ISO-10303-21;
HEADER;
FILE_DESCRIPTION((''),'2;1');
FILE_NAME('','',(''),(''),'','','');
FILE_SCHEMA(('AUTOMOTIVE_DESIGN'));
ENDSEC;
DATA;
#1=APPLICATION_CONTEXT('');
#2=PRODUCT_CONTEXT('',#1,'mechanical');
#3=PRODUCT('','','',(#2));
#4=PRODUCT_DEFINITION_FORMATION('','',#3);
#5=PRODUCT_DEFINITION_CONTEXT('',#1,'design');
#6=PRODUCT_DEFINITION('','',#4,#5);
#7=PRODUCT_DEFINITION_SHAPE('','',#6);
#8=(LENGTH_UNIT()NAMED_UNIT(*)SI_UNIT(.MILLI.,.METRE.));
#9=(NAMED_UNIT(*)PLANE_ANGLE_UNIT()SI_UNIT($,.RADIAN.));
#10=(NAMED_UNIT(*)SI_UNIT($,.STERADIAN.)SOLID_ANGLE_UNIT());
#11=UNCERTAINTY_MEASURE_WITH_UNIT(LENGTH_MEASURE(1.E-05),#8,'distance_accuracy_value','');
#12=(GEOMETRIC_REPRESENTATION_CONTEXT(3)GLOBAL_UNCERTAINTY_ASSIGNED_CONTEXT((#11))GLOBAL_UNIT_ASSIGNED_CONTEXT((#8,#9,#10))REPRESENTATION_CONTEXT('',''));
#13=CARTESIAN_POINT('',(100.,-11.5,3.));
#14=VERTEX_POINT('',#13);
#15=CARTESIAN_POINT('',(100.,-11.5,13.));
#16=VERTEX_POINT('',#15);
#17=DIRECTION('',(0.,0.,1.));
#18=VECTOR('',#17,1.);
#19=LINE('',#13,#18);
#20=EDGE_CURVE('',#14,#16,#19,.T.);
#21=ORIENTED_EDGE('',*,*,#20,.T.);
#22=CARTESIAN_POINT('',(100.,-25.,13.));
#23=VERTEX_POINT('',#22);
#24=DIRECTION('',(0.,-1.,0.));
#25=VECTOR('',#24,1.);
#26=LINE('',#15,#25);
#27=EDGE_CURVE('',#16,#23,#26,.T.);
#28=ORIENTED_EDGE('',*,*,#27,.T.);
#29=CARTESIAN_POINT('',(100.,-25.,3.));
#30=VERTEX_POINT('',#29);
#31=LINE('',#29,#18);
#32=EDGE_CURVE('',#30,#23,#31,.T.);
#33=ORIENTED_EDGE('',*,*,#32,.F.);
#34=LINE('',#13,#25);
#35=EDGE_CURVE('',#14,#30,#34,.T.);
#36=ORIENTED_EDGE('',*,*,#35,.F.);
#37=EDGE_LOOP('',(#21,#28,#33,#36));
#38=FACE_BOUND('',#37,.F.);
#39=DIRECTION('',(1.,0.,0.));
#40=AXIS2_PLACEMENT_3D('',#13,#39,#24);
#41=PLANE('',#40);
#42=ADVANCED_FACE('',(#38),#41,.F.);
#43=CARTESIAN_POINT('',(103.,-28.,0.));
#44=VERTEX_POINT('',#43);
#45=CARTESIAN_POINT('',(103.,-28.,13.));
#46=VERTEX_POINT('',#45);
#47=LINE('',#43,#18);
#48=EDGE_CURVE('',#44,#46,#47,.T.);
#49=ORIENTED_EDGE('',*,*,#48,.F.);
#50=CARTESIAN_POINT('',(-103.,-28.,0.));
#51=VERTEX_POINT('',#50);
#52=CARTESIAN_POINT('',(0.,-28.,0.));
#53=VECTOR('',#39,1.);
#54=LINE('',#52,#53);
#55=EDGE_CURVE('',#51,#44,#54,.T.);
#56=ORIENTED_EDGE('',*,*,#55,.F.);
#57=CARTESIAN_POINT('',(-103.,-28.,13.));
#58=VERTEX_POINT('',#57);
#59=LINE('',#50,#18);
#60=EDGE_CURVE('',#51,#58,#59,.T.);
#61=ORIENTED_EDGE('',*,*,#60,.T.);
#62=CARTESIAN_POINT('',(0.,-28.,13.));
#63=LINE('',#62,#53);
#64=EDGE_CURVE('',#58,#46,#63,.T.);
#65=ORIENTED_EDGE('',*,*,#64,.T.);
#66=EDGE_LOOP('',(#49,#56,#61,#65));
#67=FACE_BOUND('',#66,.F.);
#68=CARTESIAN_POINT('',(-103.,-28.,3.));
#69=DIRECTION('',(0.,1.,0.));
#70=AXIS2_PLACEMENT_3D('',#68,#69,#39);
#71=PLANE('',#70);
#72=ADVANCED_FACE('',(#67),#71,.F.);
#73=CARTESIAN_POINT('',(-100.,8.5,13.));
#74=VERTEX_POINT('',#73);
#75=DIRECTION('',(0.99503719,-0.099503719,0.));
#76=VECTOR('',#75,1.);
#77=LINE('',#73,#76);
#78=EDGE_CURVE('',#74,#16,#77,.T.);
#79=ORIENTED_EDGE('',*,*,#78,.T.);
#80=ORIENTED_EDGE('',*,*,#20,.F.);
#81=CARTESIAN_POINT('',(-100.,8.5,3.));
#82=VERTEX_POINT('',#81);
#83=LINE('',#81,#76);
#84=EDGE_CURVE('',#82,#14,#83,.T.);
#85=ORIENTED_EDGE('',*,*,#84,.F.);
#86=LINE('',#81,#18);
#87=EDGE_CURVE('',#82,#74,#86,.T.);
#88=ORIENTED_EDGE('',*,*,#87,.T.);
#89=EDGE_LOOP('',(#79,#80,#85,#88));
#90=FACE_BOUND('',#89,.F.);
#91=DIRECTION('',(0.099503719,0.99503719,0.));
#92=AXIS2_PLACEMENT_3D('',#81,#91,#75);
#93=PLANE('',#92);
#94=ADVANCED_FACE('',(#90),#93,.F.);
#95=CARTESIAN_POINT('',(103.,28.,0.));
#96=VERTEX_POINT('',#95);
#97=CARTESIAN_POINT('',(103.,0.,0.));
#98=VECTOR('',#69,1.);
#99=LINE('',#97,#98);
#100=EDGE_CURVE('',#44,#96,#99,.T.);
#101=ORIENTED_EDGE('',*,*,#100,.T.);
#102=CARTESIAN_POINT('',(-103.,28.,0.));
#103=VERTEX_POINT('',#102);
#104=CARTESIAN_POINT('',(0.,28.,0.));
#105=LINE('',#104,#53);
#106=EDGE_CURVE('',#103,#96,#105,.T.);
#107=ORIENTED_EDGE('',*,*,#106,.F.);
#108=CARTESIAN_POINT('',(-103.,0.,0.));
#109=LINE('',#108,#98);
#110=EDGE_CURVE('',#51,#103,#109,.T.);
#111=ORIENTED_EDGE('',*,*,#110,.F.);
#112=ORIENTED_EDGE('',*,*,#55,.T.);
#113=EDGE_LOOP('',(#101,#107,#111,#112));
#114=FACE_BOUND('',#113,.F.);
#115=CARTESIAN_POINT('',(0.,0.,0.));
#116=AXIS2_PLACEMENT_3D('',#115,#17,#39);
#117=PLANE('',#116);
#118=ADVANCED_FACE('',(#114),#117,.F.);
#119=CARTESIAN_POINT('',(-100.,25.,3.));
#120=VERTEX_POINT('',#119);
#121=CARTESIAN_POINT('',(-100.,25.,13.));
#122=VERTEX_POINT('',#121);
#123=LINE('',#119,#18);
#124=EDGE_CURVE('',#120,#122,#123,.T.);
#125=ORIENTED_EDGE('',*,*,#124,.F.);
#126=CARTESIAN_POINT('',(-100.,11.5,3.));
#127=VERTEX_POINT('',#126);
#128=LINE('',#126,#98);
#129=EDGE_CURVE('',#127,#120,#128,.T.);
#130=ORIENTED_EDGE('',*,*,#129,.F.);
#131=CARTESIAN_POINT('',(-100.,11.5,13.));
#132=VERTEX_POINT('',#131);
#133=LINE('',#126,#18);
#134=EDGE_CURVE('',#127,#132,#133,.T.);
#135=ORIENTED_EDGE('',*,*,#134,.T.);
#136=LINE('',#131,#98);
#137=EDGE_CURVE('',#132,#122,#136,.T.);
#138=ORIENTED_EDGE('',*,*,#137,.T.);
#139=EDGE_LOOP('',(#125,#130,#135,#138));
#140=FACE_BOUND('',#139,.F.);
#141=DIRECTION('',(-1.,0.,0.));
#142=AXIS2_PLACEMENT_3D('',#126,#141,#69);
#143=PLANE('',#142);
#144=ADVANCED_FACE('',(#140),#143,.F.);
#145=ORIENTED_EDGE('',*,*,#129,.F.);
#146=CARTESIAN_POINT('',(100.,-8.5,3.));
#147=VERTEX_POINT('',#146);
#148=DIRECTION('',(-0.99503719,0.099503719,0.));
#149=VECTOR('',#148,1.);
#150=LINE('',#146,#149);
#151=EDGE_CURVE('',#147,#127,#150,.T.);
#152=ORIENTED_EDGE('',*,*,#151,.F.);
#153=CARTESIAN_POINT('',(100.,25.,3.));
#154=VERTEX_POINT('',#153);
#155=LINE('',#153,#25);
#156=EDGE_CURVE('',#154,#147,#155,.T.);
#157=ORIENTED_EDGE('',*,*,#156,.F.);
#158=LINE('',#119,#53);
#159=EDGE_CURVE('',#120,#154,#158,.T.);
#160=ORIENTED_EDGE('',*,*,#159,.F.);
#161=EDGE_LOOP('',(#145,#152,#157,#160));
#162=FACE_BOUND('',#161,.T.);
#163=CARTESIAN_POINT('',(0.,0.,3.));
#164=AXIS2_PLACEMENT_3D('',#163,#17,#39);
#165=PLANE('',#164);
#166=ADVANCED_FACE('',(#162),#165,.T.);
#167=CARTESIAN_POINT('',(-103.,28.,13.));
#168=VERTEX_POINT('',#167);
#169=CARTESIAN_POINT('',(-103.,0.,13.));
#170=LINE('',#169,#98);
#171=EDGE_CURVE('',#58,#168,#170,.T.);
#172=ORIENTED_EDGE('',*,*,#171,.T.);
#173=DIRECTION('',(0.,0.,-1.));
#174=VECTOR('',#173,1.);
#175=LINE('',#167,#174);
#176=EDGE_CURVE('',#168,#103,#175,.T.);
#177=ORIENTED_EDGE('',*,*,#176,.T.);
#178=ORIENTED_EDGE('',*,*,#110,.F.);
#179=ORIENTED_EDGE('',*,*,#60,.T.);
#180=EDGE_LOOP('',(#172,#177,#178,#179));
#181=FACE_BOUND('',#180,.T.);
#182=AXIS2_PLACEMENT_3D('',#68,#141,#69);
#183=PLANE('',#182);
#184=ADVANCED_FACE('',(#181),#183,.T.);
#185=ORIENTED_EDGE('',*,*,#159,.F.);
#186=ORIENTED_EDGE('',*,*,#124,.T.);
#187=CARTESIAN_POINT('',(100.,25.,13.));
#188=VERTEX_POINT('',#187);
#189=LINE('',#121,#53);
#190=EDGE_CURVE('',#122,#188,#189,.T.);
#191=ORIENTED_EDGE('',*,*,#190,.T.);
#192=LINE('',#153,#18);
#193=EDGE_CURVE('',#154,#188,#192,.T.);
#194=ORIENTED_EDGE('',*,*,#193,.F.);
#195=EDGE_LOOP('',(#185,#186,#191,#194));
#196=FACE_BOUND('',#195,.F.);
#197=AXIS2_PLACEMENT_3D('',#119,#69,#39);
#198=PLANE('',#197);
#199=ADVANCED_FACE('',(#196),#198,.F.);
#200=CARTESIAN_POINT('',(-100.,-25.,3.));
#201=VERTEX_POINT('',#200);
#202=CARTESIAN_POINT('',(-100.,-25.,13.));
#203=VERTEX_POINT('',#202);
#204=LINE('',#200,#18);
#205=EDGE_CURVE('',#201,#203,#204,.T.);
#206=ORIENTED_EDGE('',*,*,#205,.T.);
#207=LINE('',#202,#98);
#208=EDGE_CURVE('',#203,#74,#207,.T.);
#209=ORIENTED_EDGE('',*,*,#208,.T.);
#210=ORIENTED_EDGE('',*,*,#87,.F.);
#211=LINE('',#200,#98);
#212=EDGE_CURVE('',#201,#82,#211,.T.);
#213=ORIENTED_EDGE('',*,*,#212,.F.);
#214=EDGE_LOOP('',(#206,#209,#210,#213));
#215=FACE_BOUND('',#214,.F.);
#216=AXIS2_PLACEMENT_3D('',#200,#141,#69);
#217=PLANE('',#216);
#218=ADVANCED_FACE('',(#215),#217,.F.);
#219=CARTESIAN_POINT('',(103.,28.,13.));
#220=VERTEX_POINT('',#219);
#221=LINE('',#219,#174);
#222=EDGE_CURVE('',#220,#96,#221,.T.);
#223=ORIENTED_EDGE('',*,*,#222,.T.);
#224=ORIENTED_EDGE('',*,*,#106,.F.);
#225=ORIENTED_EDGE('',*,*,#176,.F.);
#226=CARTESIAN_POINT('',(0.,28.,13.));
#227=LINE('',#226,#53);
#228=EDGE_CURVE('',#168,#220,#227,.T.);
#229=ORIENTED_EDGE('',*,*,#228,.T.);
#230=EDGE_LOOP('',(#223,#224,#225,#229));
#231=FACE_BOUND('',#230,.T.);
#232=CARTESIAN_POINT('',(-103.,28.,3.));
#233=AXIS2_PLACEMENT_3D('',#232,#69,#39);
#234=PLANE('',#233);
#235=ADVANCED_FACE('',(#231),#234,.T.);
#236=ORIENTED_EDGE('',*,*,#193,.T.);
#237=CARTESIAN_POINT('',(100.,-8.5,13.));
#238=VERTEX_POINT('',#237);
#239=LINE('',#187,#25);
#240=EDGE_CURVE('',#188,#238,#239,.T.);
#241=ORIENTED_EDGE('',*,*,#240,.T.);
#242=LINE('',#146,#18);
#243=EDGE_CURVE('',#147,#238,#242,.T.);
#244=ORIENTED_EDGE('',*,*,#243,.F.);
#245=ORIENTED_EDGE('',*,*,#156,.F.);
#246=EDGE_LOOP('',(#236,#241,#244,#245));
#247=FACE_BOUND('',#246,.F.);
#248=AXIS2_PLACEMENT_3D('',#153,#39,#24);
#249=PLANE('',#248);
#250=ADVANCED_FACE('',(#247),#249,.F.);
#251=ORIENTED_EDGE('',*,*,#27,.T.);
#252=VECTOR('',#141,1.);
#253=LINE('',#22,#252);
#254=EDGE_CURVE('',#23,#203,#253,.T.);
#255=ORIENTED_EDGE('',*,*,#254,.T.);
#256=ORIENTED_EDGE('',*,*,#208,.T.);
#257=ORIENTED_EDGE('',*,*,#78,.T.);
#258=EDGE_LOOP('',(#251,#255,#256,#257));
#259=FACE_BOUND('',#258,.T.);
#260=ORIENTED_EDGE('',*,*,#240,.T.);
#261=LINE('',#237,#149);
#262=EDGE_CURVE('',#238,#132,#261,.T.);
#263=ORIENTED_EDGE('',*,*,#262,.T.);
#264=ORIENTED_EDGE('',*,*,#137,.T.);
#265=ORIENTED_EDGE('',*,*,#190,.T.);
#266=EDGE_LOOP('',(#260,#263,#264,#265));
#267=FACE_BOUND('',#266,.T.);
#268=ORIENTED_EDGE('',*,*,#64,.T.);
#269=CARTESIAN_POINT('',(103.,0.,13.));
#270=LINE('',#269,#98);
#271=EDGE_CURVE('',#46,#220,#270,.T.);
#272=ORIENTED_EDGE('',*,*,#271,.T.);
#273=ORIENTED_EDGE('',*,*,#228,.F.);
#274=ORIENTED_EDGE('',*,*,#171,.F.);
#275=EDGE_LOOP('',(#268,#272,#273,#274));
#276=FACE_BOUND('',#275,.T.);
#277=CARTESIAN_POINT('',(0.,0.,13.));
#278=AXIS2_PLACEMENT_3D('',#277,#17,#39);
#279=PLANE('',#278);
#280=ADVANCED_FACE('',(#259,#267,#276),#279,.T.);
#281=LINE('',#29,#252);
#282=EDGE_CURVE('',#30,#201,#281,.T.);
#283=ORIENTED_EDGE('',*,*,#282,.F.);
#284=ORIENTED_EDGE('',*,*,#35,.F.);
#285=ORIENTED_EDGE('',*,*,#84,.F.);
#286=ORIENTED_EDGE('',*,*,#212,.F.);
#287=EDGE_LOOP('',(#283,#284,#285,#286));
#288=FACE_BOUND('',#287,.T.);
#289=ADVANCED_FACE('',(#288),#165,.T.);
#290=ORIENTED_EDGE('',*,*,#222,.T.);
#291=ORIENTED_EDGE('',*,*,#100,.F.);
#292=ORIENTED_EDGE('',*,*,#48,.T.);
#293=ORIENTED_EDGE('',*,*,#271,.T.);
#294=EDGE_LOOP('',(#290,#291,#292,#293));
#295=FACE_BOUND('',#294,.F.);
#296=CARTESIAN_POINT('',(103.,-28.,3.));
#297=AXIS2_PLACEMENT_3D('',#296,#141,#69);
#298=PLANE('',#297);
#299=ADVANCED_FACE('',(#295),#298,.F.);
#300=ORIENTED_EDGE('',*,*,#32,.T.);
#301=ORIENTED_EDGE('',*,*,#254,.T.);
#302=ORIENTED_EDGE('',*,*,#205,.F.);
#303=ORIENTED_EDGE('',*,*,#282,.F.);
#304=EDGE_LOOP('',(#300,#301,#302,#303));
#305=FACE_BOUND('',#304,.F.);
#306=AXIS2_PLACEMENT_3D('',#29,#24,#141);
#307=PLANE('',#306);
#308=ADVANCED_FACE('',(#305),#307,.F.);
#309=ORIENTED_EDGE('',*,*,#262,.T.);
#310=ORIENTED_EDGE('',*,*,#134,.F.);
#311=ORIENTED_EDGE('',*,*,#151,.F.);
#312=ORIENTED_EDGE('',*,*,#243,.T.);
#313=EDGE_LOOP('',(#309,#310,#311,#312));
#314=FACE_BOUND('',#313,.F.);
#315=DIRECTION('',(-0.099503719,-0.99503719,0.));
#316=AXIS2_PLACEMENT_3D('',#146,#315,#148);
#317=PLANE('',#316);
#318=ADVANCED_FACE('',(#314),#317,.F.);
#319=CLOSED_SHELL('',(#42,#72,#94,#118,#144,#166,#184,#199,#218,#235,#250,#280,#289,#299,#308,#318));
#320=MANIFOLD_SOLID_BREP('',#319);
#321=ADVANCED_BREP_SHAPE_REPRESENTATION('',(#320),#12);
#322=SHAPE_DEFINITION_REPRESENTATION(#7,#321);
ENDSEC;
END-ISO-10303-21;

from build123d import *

# Parameters (mm, degrees)
F0_W     = 206
F0_H     = 56
F1_DEPTH = 3
F2_W     = 206
F2_H     = 56
F3_DEPTH = 10


with BuildPart() as f1:
    # F0 (on Top) → F1 (new body)
    with BuildSketch(Plane.XY):
        Rectangle(F0_W, F0_H)
    extrude(amount=F1_DEPTH)

    # F2 (on face) → F3 (join)
    with BuildSketch(Plane.XY.offset(3)):
        Rectangle(F2_W, F2_H)
        Polygon((100, -25), (-100, -25), (-100, 8.5), (100, -11.5), align=None, mode=Mode.SUBTRACT)
        Polygon((-100, 11.5), (-100, 25), (100, 25), (100, -8.5), align=None, mode=Mode.SUBTRACT)
    extrude(amount=F3_DEPTH)


solid = f1.part
